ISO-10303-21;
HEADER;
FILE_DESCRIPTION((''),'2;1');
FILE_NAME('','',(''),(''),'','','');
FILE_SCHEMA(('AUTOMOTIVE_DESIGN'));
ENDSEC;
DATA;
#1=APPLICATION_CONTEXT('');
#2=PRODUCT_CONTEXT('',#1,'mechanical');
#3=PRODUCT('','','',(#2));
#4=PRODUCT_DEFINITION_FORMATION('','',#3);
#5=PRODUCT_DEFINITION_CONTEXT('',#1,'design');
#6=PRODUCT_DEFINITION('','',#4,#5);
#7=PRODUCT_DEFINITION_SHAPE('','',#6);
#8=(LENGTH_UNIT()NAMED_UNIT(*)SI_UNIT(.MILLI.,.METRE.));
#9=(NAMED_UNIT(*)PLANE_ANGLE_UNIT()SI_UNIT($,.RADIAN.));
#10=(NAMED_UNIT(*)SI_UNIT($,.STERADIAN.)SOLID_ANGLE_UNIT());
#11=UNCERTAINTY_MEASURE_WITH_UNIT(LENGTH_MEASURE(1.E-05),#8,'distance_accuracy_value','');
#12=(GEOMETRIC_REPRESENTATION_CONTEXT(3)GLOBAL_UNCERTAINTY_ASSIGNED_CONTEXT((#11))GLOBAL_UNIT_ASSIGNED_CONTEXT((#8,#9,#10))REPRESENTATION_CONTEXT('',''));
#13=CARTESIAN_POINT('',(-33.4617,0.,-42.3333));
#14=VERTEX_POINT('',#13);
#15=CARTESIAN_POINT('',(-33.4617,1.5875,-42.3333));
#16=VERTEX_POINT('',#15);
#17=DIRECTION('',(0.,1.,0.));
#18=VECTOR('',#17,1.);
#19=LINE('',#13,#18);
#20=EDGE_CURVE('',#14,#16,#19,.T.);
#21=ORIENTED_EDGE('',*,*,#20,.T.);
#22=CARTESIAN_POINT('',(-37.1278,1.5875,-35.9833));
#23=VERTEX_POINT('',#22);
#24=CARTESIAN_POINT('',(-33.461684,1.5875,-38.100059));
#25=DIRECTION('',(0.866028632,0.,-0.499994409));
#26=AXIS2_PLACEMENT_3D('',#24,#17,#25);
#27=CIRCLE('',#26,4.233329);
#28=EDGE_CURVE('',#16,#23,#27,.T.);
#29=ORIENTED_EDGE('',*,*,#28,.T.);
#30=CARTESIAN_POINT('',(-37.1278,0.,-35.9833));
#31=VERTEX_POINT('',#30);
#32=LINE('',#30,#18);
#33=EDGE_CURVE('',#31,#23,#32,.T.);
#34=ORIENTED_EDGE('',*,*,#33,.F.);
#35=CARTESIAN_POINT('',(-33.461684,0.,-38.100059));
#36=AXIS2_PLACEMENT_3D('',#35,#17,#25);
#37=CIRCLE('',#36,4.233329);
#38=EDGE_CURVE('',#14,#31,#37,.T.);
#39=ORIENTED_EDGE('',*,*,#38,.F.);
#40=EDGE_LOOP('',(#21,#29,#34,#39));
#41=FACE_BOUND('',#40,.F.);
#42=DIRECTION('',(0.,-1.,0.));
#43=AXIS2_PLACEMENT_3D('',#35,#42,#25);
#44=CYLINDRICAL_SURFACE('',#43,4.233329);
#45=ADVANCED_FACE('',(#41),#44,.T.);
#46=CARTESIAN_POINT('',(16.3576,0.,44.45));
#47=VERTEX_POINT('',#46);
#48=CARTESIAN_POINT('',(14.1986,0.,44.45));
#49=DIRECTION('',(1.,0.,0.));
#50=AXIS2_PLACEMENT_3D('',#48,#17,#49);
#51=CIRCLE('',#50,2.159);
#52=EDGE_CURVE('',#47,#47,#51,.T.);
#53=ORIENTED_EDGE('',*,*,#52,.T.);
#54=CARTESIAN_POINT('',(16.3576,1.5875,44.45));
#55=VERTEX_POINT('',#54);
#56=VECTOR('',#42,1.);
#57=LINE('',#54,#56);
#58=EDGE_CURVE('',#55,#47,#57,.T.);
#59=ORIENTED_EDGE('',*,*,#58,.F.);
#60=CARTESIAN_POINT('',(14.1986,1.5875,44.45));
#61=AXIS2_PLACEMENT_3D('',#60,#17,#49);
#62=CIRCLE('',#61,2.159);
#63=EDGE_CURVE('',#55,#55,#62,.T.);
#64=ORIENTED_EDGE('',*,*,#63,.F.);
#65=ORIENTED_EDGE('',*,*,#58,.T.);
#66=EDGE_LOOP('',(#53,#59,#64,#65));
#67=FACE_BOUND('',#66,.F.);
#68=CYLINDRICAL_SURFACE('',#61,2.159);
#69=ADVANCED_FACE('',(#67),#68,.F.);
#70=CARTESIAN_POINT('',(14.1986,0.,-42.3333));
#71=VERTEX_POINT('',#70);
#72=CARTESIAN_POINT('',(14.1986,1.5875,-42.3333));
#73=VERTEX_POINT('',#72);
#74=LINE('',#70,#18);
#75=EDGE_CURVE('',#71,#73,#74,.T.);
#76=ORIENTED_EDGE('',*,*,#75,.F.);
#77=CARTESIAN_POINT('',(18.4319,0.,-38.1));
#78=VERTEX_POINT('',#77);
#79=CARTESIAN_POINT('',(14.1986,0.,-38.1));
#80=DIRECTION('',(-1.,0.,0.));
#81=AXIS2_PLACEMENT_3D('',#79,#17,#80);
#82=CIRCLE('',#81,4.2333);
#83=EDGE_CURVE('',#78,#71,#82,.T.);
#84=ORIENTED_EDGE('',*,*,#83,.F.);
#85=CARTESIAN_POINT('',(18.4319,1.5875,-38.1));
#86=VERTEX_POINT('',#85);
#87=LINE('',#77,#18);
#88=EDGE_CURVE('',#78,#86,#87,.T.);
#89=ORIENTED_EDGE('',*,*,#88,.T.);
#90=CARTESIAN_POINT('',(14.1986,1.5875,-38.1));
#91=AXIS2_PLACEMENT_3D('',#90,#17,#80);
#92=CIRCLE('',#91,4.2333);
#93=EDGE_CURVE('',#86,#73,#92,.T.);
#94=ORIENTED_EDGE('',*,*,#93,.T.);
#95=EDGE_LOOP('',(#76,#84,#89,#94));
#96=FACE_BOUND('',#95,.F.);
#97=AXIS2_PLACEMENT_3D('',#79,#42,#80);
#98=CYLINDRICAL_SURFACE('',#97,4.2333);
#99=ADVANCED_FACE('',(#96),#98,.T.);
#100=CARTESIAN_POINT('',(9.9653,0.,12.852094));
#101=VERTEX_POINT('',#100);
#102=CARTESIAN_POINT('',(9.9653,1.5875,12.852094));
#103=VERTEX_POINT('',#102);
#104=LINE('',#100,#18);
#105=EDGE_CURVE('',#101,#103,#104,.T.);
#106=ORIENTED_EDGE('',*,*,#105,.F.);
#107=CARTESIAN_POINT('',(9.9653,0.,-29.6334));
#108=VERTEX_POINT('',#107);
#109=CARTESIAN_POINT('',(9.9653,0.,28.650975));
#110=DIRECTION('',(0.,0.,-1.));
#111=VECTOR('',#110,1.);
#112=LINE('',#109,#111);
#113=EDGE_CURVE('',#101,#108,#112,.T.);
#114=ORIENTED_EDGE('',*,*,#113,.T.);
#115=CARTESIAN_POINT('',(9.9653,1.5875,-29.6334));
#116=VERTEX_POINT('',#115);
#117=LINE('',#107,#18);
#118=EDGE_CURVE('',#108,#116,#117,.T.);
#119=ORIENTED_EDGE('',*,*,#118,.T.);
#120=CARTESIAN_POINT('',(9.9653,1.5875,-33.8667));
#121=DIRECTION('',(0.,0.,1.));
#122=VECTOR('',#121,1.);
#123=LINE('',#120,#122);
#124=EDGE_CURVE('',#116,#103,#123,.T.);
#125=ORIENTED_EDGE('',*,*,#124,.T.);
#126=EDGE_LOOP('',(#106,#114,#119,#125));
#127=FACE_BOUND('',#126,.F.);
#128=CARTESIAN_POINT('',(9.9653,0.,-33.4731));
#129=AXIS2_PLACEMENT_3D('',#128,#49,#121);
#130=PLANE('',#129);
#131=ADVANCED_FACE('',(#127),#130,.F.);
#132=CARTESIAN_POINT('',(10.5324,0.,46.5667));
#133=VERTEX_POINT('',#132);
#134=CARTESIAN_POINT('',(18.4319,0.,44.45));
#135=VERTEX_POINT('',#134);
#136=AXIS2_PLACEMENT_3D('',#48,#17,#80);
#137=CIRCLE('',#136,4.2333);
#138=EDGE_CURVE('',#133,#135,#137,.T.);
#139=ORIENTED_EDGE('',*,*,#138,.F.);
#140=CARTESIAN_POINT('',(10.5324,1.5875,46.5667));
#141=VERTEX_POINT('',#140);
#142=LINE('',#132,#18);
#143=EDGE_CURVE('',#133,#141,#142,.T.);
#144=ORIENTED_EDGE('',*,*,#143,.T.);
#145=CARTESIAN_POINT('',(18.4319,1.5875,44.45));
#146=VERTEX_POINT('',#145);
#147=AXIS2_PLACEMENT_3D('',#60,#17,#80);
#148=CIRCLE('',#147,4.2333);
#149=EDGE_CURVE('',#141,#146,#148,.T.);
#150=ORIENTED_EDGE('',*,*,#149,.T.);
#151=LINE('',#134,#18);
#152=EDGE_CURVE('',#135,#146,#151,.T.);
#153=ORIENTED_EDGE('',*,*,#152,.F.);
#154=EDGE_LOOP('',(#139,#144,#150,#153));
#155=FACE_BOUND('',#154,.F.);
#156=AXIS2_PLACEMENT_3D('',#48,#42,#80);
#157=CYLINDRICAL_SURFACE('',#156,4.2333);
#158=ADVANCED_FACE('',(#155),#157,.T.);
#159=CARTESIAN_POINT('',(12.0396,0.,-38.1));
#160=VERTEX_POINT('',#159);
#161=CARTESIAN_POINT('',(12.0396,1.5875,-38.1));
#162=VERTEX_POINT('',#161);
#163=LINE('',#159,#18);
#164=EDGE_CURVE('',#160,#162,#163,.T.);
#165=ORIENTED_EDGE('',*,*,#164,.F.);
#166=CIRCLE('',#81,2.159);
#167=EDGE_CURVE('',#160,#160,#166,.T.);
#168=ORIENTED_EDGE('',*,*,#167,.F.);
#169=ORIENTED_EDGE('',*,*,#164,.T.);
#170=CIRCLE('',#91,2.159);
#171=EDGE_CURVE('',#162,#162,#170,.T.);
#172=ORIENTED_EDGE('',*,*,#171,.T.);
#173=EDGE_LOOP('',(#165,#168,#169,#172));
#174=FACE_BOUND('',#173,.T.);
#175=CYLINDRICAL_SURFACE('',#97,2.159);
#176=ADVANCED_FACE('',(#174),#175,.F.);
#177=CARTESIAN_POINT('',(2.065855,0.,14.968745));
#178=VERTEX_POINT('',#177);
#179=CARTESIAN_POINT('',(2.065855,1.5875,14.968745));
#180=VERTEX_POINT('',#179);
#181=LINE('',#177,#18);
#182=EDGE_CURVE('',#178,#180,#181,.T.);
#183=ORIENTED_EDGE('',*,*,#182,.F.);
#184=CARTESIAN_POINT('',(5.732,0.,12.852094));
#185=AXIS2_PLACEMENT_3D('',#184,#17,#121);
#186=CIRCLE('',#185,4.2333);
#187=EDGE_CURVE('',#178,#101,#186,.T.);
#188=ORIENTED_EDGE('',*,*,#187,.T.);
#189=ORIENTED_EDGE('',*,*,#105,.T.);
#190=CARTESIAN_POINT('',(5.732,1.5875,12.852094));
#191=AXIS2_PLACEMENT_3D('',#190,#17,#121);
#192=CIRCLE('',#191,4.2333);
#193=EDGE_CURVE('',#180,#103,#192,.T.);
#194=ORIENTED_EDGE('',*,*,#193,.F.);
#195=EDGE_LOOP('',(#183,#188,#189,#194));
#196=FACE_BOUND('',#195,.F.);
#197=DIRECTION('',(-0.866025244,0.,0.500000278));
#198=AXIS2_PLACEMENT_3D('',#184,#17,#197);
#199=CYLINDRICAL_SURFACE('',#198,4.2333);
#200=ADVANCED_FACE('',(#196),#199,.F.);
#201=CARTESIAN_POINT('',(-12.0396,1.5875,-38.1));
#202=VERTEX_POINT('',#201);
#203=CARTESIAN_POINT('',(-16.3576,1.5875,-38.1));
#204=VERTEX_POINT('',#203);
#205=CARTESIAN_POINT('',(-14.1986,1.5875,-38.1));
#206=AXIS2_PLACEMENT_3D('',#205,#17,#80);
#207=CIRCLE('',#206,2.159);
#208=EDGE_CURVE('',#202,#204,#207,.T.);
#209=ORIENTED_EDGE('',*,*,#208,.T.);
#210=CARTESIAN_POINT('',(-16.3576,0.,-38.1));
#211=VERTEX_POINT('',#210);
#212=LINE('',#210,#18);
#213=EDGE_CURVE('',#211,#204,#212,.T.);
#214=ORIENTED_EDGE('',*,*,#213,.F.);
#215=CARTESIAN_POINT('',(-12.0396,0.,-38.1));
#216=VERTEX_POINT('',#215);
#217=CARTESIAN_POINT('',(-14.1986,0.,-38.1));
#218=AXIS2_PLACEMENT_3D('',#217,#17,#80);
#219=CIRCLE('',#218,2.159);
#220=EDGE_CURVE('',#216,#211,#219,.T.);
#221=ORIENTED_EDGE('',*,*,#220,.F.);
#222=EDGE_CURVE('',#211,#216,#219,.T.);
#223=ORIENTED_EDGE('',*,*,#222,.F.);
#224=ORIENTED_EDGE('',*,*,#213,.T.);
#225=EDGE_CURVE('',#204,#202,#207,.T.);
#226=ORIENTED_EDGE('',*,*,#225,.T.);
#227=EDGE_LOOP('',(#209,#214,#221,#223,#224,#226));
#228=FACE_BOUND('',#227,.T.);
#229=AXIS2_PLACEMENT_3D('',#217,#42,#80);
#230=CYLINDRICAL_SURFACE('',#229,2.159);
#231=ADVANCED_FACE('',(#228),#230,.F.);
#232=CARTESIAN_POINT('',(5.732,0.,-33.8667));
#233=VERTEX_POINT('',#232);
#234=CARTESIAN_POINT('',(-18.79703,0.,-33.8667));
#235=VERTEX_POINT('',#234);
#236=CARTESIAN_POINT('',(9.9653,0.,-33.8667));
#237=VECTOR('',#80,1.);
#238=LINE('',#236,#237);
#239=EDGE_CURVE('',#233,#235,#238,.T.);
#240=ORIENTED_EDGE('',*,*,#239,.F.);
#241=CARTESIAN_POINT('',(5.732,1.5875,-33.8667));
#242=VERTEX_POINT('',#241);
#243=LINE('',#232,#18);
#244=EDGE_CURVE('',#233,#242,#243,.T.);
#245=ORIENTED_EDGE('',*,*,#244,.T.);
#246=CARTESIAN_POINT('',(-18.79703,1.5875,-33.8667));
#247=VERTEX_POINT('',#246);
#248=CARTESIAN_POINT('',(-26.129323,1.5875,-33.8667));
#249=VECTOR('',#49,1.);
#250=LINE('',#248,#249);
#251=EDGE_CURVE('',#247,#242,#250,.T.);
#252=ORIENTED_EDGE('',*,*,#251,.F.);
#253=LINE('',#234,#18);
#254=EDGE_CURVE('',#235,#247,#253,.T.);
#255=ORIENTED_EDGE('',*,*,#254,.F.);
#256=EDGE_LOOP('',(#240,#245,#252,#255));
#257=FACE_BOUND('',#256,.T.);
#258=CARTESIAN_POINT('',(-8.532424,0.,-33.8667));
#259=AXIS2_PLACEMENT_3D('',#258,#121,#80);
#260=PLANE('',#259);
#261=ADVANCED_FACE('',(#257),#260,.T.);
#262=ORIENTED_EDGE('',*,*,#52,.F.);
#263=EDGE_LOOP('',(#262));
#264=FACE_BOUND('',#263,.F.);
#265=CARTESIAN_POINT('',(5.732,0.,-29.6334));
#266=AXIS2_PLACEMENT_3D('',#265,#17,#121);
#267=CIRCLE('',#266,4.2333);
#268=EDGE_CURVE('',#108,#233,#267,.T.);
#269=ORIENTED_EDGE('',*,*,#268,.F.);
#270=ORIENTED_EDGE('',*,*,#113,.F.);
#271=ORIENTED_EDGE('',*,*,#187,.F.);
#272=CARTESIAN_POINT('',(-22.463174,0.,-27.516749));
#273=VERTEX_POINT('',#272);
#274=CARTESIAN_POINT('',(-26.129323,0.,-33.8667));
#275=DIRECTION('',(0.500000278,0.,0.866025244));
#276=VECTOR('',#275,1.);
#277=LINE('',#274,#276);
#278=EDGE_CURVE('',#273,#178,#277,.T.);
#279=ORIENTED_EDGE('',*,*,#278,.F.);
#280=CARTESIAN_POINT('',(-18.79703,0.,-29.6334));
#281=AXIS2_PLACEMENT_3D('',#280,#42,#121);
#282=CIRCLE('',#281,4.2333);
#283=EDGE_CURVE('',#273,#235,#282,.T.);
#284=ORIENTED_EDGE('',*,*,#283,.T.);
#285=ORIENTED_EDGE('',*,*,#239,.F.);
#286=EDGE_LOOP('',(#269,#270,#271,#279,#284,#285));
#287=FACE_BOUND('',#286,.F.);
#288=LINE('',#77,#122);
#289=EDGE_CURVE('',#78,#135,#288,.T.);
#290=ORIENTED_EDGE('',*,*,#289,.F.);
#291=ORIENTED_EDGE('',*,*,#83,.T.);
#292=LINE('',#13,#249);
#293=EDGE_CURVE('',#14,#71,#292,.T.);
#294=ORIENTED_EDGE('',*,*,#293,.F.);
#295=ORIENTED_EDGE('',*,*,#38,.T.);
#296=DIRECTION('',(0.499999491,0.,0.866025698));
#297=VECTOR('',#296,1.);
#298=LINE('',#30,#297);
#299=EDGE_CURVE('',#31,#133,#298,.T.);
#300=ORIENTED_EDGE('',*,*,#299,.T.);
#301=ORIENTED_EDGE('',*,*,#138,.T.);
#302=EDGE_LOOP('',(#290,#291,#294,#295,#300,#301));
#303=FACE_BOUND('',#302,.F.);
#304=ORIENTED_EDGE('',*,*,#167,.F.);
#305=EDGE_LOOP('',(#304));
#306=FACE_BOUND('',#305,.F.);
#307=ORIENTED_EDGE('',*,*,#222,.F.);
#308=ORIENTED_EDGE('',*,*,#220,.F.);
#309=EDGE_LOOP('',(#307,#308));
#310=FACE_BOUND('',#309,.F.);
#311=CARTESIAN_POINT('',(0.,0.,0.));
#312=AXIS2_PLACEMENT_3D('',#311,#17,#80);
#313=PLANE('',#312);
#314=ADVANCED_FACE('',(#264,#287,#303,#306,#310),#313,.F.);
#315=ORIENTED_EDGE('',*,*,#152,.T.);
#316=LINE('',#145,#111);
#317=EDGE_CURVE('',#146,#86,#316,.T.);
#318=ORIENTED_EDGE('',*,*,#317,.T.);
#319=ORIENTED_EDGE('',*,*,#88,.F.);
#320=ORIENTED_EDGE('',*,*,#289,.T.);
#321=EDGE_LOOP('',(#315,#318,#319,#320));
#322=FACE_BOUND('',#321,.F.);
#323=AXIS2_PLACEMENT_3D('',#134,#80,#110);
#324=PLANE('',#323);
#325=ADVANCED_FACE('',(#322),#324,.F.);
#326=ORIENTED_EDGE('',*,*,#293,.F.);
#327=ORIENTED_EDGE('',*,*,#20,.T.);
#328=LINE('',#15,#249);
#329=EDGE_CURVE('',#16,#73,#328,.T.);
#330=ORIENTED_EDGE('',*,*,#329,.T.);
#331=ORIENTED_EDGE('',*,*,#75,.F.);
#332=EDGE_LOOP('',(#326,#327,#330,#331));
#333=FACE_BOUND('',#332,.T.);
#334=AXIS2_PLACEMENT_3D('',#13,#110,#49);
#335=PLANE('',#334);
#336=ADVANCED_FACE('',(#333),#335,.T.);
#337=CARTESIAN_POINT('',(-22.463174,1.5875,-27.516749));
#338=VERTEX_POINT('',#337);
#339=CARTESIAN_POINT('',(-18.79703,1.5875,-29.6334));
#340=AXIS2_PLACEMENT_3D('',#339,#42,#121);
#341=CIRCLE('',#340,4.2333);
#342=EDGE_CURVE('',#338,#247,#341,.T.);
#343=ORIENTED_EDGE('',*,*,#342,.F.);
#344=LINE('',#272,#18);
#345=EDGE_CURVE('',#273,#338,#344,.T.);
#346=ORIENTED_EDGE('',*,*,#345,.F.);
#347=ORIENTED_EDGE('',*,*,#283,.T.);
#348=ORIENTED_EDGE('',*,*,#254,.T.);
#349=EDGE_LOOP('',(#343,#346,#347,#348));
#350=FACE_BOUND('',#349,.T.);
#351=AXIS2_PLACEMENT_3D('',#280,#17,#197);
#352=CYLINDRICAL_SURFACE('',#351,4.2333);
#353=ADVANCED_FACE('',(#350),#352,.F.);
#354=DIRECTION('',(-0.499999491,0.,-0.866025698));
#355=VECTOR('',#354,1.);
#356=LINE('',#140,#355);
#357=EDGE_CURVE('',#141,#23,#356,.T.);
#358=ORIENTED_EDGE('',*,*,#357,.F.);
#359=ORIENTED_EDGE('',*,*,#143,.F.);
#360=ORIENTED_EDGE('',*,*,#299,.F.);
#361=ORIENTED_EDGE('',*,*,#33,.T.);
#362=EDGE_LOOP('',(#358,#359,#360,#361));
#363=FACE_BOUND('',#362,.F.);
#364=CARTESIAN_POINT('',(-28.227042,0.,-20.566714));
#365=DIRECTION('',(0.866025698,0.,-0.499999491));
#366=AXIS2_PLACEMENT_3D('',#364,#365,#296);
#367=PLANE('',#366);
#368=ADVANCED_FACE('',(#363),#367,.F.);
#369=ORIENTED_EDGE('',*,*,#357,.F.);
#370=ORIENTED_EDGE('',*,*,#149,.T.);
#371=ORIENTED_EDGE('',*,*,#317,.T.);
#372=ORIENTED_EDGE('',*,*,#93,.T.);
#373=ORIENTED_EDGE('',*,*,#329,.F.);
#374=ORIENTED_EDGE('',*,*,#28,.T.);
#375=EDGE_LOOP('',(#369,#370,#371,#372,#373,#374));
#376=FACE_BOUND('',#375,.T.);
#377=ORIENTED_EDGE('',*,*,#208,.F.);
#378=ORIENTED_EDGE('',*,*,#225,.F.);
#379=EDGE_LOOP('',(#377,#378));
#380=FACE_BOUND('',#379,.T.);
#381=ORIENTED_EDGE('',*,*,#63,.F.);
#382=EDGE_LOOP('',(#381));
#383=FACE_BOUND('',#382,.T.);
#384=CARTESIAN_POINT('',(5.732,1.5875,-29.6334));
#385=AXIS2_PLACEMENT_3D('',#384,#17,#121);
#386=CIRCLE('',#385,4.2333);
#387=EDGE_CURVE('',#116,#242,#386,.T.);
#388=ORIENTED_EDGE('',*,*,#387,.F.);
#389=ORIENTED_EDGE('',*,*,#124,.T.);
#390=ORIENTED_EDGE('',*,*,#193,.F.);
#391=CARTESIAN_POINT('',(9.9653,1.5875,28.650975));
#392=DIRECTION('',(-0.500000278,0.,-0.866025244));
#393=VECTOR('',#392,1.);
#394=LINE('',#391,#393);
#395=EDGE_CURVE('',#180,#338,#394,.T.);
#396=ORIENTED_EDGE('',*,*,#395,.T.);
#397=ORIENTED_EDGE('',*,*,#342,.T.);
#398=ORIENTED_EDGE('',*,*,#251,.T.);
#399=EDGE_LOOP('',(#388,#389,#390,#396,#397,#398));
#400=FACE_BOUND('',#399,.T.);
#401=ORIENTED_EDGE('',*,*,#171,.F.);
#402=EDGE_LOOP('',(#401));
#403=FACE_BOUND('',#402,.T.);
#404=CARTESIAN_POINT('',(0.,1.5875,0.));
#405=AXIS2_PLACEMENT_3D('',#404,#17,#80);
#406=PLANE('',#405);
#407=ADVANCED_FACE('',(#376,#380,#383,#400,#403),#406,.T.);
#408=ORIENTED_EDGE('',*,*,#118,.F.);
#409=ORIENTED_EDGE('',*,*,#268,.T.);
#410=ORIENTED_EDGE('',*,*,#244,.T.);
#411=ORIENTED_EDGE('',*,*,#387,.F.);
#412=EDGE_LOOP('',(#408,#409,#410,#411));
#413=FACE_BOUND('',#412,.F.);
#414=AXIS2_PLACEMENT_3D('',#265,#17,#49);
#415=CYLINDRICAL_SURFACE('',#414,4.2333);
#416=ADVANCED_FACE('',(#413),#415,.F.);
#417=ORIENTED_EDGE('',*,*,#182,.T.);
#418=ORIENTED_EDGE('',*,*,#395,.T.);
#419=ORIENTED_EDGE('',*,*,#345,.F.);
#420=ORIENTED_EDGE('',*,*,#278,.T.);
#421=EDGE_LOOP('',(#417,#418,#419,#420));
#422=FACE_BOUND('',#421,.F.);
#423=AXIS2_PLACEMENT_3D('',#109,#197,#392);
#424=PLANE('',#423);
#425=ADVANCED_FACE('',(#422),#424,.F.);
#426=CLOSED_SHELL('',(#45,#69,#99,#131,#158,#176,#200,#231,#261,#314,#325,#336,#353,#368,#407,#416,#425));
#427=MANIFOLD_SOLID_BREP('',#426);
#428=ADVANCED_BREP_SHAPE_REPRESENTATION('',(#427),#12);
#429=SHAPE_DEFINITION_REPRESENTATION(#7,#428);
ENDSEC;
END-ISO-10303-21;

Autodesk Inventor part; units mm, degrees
ref_plane "YZ Plane" through (0, 0, 0) normal (1, 0, 0) x (0, 1, 0)
ref_plane "XZ Plane" through (0, 0, 0) normal (0, 1, 0) x (-1, 0, 0)
ref_plane "XY Plane" through (0, 0, 0) normal (0, 0, 1) x (1, 0, 0)
sketch "Sketch2" plane through (0, 0, 0) normal (0, 1, 0) x (-1, 0, 0)
  circle A0 centre (0, 0) radius 34.925
  line L0 (0, 0) -> (0, -38.1)
  line L1 (0, -38.1) -> (-14.1986, -38.1)
  line L2 (-14.1986, -38.1) -> (14.1986, -38.1)
  circle A1 centre (14.1986, -38.1) radius 2.159
  circle A2 centre (-14.1986, -38.1) radius 2.159
  circle A3 centre (-14.1986, -38.1) radius 4.2333
  line L3 (-14.1986, -38.1) -> (-14.1986, 44.45) construction
  line L4 (-9.9653, -38.1) -> (-9.9653, 44.45)
  line L5 (-18.4319, 44.45) -> (-18.4319, -38.1)
  arc A4 (-18.4319, -38.1) -> (-9.9653, -38.1) centre (-14.1986, -38.1) ccw
  arc A5 (-9.9653, 44.45) -> (-18.4319, 44.45) centre (-14.1986, 44.45) ccw
  line L6 (-14.1986, 44.45) -> (33.4617, -38.1) construction
  line L7 (-17.8648, 42.3333) -> (29.7955, -40.2167)
  line L8 (37.1278, -35.9833) -> (-10.5324, 46.5667)
  arc A6 (-10.5324, 46.5667) -> (-17.8648, 42.3333) centre (-14.1986, 44.45) ccw
  arc A7 (29.7955, -40.2167) -> (37.1278, -35.9833) centre (33.4617, -38.1) ccw
  line L9 (-14.1986, 44.45) -> (81.1219, 44.45) construction
  line L10 (-14.1986, -38.1) -> (33.4617, -38.1) construction
  line L11 (-14.1986, -33.8667) -> (33.4617, -33.8667)
  line L12 (33.4617, -42.3333) -> (-14.1986, -42.3333)
  arc A8 (-14.1986, -33.8667) -> (-14.1986, -42.3333) centre (-14.1986, -38.1) ccw
  arc A9 (33.4617, -42.3333) -> (33.4617, -33.8667) centre (33.4617, -38.1) ccw
  point P0 (-14.1986, 3.175)
  point P1 (9.6315, 3.175)
  point P2 (9.6315, -38.1)
  point P3 (-9.9653, 28.651)
  point P4 (26.1293, -33.8667)
  point P5 (-9.9653, -33.8667)
  point P6 (-18.4319, -38.1)
  dimension "d17" = 69.85
  dimension "d18" = 38.1
  dimension "d19" = 14.1986
  dimension "d20" = 28.3972
  dimension "d21" = 4.318
  dimension "d22" = 4.318
  dimension "d23" = 8.4667
  dimension "d24" = 82.55
  dimension "d25" = 8.4667
  dimension "d26" = 60
  dimension "d27" = 8.4667
extrude "Extrusion2" add sketch "Sketch2" along normal blind 1.5875 contours L8 A0 L7 L4 | A0 L4 A5 L8 | L8 A9 L11 L7 A0 | L4 L7 A0 | A0 L7 A6 A5 L4 | A7 L7 L11 A9 | L7 L4 A0 L5 | A0 L5 A6 L7 | L11 L7 A7 L12 A3 L1 L0 A0 | A0 L0 L11 | L4 L11 A3 L5 A0 | L0 L1 L4 L11 A0 | A0 L11 L0 | A3 | L4 A3 L11
fillet "Fillet4" radius 4.2333 3 edges at (-26.1293, 0.7937, -33.8667) (9.9653, 0.7937, -33.8667) (9.9653, 0.7937, 28.651)
sketch "Sketch3" plane through (0, 1.5875, 0) normal (0, 1, 0) x (1, 0, 0)
  arc A0 (10.5324, -46.5667) -> (18.4319, -44.45) centre (14.1986, -44.45) ccw projected
  circle A1 centre (14.1986, -44.45) radius 2.159
  point P0 (0, 0)
  dimension "d31" = 4.318
extrude "Extrusion3" cut sketch "Sketch3" against normal blind 1.5875
properties part number "sheet1" material "Acetal Resin, Black"
